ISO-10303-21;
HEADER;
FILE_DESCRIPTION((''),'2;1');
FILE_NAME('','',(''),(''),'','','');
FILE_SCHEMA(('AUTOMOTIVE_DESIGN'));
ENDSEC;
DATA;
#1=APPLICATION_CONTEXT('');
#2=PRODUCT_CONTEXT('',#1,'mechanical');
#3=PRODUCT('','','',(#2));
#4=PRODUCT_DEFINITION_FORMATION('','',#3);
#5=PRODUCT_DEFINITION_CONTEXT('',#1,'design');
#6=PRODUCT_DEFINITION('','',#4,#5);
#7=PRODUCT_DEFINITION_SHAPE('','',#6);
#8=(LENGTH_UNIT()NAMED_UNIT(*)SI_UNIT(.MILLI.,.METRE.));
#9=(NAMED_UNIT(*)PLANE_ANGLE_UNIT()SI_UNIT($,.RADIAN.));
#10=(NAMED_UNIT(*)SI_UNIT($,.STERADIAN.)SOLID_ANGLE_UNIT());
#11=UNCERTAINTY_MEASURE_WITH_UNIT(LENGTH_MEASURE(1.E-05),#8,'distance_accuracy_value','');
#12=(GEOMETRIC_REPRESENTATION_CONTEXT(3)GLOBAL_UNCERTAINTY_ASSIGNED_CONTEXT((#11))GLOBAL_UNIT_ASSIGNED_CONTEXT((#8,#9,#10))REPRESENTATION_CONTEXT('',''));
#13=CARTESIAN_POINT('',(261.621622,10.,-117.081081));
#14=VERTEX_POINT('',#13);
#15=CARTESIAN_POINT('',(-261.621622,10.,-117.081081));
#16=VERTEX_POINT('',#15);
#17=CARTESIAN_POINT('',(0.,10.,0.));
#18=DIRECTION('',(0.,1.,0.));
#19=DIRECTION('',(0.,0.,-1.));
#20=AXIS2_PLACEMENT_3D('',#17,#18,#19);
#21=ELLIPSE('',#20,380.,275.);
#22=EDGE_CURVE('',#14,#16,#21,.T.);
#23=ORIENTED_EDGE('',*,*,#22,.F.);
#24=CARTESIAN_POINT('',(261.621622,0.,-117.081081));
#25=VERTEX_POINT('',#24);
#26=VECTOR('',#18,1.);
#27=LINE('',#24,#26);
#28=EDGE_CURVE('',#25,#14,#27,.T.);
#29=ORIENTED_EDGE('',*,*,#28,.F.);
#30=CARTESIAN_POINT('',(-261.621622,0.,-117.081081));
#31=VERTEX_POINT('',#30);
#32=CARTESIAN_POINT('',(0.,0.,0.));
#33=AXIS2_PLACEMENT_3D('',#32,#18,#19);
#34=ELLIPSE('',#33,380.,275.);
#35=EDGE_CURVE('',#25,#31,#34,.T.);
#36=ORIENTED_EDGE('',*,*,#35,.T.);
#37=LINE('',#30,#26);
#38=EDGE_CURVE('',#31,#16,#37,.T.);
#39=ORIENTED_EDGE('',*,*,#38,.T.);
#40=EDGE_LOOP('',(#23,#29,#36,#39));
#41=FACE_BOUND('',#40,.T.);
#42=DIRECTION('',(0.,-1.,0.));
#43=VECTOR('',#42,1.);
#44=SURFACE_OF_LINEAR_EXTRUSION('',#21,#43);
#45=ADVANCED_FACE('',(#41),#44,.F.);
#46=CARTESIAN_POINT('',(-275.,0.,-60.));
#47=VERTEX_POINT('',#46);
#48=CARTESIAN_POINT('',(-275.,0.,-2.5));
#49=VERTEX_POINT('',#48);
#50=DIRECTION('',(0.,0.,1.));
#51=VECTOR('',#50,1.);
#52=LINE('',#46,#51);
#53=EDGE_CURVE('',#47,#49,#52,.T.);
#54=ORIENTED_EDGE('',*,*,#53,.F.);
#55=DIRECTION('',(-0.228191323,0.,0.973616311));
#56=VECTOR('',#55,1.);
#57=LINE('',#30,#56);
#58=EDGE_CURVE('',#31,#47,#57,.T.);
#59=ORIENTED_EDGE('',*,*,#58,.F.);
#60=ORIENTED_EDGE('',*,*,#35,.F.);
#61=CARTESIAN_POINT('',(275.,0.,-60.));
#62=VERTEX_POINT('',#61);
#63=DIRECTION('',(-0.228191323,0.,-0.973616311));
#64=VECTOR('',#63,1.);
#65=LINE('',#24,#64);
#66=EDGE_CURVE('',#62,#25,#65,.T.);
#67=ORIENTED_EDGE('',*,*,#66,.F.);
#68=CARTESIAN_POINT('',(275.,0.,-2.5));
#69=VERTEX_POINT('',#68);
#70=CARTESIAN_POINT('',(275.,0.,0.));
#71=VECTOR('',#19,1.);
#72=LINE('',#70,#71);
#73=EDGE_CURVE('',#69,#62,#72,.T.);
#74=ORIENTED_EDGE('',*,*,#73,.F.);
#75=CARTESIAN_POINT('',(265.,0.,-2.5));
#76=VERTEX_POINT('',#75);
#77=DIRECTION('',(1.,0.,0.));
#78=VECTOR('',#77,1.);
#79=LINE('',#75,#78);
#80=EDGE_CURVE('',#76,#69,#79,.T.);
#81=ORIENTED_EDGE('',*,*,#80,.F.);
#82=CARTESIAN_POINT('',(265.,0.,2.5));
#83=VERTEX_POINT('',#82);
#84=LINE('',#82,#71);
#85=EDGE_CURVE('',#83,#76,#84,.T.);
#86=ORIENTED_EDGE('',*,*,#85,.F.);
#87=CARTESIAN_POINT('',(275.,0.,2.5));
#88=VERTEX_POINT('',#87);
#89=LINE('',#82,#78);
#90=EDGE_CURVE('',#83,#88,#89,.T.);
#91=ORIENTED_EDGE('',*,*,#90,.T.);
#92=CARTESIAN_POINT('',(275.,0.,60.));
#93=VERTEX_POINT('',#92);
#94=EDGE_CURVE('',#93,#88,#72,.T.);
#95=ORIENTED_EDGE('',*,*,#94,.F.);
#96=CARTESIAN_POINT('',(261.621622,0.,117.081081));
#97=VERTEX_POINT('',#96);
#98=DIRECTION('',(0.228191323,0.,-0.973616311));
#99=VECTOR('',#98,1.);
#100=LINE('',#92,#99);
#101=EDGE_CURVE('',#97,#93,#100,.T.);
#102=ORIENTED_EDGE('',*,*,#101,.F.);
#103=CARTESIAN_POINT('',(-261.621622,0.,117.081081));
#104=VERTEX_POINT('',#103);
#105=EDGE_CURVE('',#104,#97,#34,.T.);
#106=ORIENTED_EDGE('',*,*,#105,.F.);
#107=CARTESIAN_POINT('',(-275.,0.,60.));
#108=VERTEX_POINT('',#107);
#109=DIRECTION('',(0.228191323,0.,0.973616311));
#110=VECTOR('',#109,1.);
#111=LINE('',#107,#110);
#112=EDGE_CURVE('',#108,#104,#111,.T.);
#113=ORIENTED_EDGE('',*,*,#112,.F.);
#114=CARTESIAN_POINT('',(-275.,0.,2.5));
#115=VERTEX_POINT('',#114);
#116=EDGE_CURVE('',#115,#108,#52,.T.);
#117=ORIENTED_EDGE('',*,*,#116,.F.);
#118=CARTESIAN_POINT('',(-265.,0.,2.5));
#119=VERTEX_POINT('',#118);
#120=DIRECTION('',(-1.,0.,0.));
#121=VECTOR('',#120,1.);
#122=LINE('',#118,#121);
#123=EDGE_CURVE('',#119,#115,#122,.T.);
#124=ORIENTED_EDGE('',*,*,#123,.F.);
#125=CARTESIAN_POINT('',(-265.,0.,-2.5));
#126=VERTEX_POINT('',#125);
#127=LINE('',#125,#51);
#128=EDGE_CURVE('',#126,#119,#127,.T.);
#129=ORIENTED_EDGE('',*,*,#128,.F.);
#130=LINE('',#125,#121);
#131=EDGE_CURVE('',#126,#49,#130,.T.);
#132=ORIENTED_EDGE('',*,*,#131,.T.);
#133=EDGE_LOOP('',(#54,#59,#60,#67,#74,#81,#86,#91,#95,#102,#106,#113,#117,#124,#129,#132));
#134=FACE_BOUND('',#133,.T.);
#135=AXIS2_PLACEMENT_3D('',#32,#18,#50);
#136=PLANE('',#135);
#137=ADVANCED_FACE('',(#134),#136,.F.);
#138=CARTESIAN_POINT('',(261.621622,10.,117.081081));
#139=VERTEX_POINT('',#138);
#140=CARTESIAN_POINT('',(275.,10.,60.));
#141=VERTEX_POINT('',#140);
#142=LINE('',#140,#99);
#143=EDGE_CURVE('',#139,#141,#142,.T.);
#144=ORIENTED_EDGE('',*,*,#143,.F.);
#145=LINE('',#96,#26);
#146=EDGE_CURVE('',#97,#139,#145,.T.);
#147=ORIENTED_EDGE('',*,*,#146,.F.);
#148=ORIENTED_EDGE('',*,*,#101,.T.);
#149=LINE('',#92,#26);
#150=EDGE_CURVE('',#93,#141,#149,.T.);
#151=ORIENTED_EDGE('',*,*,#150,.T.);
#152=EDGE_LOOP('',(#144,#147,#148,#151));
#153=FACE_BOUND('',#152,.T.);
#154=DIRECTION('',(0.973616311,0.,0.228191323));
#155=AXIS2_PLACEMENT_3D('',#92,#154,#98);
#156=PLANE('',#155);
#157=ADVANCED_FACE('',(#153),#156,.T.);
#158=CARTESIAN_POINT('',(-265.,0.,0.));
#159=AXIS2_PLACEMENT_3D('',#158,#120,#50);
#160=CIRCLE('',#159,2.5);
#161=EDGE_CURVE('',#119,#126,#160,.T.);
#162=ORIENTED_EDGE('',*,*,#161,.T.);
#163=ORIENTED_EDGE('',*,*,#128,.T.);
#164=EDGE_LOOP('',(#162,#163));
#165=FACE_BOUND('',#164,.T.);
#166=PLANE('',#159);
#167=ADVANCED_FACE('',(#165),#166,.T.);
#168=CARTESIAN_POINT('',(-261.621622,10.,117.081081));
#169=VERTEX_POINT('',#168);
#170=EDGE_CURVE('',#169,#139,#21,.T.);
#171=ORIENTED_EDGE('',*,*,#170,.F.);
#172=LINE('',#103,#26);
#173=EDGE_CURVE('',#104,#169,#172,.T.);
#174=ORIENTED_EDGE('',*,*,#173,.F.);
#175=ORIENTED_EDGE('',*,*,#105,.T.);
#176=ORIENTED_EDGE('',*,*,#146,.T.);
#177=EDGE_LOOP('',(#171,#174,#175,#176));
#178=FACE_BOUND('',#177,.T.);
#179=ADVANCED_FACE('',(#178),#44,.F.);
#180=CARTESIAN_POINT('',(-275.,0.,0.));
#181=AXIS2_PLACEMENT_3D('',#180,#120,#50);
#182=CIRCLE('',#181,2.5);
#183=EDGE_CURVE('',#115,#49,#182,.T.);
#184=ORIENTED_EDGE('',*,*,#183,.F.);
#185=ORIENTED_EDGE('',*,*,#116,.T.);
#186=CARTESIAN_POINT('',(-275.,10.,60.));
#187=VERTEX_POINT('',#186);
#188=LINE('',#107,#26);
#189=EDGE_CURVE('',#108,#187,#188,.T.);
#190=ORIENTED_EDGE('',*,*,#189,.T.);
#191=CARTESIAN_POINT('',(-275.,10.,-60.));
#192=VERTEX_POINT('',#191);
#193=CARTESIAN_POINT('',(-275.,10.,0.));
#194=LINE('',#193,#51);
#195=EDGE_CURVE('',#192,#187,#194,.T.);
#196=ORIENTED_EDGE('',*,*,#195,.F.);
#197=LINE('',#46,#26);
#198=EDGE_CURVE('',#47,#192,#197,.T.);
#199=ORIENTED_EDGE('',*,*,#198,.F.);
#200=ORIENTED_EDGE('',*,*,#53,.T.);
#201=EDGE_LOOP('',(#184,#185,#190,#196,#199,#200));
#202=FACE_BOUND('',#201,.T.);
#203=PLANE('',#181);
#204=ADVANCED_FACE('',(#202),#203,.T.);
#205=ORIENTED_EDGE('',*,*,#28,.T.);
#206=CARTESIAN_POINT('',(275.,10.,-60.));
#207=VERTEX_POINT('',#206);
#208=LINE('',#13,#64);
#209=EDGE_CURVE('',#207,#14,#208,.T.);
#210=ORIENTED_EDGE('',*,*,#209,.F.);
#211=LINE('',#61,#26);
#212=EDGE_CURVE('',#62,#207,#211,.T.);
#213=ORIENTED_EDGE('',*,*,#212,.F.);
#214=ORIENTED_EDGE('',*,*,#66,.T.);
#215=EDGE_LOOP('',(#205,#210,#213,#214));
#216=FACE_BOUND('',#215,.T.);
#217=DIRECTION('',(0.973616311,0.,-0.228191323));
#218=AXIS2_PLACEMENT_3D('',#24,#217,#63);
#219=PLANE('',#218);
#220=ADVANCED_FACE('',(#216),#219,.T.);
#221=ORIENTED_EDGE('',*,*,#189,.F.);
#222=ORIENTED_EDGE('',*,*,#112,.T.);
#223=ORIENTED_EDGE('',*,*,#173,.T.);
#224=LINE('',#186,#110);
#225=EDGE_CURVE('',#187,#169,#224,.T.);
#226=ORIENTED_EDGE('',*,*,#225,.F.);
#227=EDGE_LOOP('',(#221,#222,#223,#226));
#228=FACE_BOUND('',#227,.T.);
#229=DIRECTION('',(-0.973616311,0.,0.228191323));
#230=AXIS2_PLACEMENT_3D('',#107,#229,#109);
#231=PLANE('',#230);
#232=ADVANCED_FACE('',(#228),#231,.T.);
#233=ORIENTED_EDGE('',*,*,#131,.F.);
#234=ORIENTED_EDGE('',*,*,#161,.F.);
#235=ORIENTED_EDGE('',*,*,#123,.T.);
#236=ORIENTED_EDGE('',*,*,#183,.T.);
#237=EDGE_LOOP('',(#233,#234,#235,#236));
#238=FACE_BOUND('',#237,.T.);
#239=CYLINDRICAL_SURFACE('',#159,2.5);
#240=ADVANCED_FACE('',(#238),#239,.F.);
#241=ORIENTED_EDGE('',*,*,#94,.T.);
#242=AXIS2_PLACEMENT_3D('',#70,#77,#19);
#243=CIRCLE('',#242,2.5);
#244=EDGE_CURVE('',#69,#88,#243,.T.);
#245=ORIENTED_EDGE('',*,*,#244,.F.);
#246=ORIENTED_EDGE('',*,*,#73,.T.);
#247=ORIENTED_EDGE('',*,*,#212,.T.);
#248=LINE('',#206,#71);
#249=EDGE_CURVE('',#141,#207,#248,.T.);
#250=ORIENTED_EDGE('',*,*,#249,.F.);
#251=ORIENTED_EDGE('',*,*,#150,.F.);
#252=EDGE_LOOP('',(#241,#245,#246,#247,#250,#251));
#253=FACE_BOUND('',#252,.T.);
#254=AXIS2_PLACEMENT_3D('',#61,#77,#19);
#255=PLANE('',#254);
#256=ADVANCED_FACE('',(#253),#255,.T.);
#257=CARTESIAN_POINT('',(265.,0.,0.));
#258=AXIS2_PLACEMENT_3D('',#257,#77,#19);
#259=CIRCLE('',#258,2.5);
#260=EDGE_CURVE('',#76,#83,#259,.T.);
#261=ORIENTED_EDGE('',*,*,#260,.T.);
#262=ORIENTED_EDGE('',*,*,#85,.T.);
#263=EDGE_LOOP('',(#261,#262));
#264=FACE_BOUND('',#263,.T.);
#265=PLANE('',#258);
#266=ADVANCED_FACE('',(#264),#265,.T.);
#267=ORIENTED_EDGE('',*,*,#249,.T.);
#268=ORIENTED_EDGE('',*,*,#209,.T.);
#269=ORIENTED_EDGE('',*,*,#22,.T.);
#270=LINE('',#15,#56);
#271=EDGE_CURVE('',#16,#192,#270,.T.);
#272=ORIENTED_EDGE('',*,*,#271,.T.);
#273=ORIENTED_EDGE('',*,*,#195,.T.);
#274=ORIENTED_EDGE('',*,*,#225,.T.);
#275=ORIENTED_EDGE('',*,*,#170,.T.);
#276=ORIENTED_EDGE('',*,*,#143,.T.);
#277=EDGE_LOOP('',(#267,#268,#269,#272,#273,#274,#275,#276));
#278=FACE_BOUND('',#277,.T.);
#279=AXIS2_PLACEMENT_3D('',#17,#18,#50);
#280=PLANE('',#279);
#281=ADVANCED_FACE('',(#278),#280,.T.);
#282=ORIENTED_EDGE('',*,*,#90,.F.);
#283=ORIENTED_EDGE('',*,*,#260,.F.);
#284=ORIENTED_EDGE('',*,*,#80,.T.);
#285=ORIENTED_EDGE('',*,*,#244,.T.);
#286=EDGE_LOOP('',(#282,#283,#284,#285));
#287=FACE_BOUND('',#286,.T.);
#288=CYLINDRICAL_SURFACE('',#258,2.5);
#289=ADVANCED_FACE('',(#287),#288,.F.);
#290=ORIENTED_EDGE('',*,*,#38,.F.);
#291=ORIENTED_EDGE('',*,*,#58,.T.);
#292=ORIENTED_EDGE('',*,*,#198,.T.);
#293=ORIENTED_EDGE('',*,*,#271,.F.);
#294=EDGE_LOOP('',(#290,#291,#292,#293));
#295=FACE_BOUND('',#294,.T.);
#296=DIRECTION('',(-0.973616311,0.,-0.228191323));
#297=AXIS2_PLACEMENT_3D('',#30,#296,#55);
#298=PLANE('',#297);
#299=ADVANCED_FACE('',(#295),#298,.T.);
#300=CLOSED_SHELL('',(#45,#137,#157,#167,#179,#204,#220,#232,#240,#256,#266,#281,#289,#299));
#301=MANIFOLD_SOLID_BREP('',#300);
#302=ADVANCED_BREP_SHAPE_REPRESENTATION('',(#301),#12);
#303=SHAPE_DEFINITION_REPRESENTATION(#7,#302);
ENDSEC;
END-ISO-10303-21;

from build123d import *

# Parameters (mm, degrees)
SKETCH1_RX          = 380
SKETCH1_RY          = 275
BOSS_EXTRUDE1_DEPTH = 10
BOSS_EXTRUDE2_DEPTH = 10
CUT_EXTRUDE1_DEPTH  = 10
CUT_EXTRUDE2_DEPTH  = 10


with BuildPart() as part:
    # Sketch1 → Boss-Extrude1 (new body)
    with BuildSketch(Plane(origin=(0, 0, 0), x_dir=(1, 0, 0), z_dir=(0, 1, 0))):
        with Locations(Location((0, 0), (0, 0, 90))):
            Ellipse(SKETCH1_RX, SKETCH1_RY)
    extrude(amount=BOSS_EXTRUDE1_DEPTH)

    # Sketch2 → Boss-Extrude2 (add)
    with BuildSketch(Plane(origin=(0, 10, 0), x_dir=(-1, 0, 0), z_dir=(0, 1, 0))):
        Polygon((-261.621621622, -117.081081081), (-275, -60), (-275, 0), (-275, 60), (-261.621621622, 117.081081081), align=None)
        Polygon((261.621621622, 117.081081081), (261.621621622, -117.081081081), (275, -60), (275, 0), (275, 60), align=None)
    extrude(amount=-BOSS_EXTRUDE2_DEPTH)

    # Sketch3 → Cut-Extrude1 (cut)
    with BuildSketch(Plane(origin=(275, 0, 0), x_dir=(0, 0, -1), z_dir=(1, 0, 0))):
        with BuildLine():
            Line((-2.5, 0), (2.5, 0))
            ThreePointArc((2.5, 0), (0, 2.5), (-2.5, 0))
        make_face()
    extrude(amount=-CUT_EXTRUDE1_DEPTH, mode=Mode.SUBTRACT)

    # Sketch4 → Cut-Extrude2 (cut)
    with BuildSketch(Plane.ZY.offset(275)):
        with BuildLine():
            Line((-2.5, 0), (2.5, 0))
            ThreePointArc((2.5, 0), (0, 2.5), (-2.5, 0))
        make_face()
    extrude(amount=-CUT_EXTRUDE2_DEPTH, mode=Mode.SUBTRACT)


solid = part.part
